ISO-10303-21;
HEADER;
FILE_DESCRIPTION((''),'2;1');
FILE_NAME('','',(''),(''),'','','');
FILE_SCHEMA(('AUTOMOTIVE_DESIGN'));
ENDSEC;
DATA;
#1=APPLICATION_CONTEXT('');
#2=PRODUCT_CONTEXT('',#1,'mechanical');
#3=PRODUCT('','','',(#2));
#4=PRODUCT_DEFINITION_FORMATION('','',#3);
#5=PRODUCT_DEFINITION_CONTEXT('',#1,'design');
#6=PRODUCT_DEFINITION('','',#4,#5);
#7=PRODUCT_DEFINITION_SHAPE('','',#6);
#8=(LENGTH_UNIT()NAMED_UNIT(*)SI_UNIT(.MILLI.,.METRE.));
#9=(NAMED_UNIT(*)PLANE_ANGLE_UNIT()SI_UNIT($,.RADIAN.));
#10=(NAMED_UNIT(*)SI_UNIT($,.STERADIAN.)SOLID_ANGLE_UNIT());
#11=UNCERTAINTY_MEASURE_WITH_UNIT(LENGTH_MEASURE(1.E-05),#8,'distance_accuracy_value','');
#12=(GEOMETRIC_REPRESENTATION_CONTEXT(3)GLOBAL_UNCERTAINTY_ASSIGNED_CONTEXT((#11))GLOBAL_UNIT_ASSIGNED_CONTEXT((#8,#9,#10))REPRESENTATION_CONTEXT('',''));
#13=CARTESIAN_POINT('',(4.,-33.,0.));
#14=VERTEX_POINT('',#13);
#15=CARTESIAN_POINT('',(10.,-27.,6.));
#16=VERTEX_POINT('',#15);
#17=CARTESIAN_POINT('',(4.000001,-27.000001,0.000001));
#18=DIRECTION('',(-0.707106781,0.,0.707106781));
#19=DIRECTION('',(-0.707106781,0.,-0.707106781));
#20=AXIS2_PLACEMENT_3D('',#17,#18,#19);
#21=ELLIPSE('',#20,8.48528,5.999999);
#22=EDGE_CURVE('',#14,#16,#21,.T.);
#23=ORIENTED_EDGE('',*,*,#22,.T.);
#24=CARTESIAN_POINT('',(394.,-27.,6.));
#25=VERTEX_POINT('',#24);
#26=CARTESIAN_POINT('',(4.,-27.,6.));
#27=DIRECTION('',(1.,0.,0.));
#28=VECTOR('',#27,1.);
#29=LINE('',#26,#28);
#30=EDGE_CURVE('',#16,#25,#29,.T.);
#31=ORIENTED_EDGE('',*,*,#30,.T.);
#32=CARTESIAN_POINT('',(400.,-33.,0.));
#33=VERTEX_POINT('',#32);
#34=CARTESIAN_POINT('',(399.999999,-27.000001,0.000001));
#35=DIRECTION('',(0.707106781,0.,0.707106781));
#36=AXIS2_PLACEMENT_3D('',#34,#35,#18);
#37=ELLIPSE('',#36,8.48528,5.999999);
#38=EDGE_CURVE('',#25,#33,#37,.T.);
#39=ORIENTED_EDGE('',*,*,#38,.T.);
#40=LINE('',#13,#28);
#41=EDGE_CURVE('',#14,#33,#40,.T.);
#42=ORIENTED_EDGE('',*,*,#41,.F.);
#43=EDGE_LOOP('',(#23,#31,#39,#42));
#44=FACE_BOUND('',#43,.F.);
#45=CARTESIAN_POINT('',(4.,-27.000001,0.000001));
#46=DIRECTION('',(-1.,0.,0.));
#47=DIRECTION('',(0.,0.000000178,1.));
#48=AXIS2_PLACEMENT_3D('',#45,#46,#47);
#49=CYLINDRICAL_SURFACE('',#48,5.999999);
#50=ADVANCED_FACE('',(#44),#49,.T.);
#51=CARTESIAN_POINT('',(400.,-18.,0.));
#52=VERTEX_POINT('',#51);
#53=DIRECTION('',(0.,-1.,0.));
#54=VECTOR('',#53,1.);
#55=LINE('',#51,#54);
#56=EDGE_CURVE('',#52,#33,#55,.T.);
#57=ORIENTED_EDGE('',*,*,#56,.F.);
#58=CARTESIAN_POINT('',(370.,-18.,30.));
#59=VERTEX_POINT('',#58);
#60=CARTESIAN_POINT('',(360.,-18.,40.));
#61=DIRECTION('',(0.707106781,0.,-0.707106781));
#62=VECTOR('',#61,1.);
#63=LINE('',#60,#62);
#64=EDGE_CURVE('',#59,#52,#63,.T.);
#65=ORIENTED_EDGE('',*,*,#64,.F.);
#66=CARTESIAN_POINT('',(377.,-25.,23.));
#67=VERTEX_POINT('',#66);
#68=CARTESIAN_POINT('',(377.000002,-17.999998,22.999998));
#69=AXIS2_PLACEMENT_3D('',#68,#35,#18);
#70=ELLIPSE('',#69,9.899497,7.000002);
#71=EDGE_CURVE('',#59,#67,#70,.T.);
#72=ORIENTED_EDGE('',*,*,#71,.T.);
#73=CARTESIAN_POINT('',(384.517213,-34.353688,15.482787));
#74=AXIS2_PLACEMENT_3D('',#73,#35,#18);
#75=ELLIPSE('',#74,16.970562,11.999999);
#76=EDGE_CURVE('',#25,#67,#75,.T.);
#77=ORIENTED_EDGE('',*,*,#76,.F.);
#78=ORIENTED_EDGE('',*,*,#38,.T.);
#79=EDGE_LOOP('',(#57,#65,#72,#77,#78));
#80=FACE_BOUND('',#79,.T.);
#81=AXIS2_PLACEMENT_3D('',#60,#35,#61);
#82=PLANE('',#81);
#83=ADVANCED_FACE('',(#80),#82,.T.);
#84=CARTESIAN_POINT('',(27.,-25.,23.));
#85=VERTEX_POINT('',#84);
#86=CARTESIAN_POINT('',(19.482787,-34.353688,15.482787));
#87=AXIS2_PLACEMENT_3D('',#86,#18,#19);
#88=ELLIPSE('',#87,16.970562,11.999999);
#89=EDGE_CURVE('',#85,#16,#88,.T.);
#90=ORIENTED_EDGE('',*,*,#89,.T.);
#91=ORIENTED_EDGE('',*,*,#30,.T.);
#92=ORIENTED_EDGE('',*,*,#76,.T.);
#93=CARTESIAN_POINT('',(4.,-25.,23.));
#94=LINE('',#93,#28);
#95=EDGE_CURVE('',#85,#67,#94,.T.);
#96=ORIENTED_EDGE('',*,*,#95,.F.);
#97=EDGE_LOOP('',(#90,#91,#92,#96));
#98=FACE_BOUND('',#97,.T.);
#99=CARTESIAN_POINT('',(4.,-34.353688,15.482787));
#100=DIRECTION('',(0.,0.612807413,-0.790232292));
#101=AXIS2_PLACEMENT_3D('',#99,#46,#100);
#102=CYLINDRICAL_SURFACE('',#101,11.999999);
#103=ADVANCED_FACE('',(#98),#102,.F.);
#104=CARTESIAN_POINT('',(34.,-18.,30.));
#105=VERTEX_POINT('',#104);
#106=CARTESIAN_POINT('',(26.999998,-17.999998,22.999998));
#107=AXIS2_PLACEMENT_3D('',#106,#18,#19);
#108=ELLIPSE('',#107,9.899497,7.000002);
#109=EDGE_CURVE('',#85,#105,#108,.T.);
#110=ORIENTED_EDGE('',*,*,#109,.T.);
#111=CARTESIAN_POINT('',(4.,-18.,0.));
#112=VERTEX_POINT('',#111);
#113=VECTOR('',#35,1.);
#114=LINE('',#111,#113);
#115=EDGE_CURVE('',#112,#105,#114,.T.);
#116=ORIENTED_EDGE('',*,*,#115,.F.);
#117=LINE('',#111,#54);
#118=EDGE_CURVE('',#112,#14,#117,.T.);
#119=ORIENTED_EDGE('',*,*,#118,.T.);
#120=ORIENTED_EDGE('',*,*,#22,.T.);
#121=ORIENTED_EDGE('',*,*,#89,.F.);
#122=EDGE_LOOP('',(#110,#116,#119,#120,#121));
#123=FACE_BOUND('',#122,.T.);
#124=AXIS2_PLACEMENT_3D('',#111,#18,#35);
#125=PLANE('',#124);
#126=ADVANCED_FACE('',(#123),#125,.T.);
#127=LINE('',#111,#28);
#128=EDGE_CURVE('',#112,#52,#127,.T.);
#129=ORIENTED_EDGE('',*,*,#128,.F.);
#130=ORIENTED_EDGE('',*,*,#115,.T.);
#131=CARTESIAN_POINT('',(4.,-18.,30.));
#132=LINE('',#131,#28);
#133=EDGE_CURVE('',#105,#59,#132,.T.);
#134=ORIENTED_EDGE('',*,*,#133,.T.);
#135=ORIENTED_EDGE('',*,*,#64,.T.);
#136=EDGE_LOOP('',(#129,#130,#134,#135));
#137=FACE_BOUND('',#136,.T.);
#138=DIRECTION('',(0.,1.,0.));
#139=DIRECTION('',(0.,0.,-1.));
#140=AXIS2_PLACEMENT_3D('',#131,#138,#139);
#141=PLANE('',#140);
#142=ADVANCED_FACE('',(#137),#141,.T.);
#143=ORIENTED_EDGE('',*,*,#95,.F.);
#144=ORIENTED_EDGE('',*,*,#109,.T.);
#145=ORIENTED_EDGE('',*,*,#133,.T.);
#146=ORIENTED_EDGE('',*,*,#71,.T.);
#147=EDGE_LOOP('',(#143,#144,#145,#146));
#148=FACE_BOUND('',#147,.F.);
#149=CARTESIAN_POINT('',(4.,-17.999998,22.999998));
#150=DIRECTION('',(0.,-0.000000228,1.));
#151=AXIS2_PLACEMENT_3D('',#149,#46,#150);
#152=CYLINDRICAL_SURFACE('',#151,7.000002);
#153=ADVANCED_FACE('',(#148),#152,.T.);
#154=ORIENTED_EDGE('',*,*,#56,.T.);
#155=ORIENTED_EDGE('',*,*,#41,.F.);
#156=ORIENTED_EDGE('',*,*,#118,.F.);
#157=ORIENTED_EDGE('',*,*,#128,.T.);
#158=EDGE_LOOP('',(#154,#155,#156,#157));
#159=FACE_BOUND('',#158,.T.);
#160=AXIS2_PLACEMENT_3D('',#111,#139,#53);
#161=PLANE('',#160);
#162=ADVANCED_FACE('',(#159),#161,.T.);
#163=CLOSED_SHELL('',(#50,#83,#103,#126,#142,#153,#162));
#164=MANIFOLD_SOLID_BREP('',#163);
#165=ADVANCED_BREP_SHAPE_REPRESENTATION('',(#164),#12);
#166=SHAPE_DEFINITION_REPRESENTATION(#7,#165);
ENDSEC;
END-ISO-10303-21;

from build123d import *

# Parameters (mm, degrees)
PAD008_DEPTH = 40
PAD007_DEPTH = 40
PAD_DEPTH    = 396


with BuildPart() as body_decoration_bottom_cut_right:
    # Sketch008 → Pad008 (new body)
    with BuildSketch(Plane(origin=(400, -18, 0), x_dir=(1, 0, 0), z_dir=(0, -1, 0))):
        Polygon((-40, 40), (0, 0), (0, 40), align=None)
    extrude(amount=PAD008_DEPTH)


with BuildPart() as body_decoration_bottom_cut_left:
    # Sketch007 → Pad007 (new body)
    with BuildSketch(Plane(origin=(4, -18, 0), x_dir=(1, 0, 0), z_dir=(0, -1, 0))):
        Polygon((0, 0), (40, 40), (0, 40), align=None)
    extrude(amount=PAD007_DEPTH)


with BuildPart() as cut_decoration_bottom:
    # Sketch → Pad (new body)
    with BuildSketch(Plane(origin=(4, -18, 0), x_dir=(0, 1, 0), z_dir=(1, 0, 0))):
        with BuildLine():
            Line((0, 30), (0, 0))
            Line((0, 0), (-15, 0))
            ThreePointArc((-9, 6), (-13.242641, 4.242641), (-15, 0))
            ThreePointArc((-9, 6), (-4.435882, 14.080692), (-7, 23))
            ThreePointArc((0, 30), (-4.949747, 27.949747), (-7, 23))
        make_face()
    extrude(amount=PAD_DEPTH)

    # Cut: cut Body, Decoration, Bottom, Cut, Left
    add(body_decoration_bottom_cut_left.part, mode=Mode.SUBTRACT)

    # Cut001: cut Body, Decoration, Bottom, Cut, Right
    add(body_decoration_bottom_cut_right.part, mode=Mode.SUBTRACT)


solid = cut_decoration_bottom.part
